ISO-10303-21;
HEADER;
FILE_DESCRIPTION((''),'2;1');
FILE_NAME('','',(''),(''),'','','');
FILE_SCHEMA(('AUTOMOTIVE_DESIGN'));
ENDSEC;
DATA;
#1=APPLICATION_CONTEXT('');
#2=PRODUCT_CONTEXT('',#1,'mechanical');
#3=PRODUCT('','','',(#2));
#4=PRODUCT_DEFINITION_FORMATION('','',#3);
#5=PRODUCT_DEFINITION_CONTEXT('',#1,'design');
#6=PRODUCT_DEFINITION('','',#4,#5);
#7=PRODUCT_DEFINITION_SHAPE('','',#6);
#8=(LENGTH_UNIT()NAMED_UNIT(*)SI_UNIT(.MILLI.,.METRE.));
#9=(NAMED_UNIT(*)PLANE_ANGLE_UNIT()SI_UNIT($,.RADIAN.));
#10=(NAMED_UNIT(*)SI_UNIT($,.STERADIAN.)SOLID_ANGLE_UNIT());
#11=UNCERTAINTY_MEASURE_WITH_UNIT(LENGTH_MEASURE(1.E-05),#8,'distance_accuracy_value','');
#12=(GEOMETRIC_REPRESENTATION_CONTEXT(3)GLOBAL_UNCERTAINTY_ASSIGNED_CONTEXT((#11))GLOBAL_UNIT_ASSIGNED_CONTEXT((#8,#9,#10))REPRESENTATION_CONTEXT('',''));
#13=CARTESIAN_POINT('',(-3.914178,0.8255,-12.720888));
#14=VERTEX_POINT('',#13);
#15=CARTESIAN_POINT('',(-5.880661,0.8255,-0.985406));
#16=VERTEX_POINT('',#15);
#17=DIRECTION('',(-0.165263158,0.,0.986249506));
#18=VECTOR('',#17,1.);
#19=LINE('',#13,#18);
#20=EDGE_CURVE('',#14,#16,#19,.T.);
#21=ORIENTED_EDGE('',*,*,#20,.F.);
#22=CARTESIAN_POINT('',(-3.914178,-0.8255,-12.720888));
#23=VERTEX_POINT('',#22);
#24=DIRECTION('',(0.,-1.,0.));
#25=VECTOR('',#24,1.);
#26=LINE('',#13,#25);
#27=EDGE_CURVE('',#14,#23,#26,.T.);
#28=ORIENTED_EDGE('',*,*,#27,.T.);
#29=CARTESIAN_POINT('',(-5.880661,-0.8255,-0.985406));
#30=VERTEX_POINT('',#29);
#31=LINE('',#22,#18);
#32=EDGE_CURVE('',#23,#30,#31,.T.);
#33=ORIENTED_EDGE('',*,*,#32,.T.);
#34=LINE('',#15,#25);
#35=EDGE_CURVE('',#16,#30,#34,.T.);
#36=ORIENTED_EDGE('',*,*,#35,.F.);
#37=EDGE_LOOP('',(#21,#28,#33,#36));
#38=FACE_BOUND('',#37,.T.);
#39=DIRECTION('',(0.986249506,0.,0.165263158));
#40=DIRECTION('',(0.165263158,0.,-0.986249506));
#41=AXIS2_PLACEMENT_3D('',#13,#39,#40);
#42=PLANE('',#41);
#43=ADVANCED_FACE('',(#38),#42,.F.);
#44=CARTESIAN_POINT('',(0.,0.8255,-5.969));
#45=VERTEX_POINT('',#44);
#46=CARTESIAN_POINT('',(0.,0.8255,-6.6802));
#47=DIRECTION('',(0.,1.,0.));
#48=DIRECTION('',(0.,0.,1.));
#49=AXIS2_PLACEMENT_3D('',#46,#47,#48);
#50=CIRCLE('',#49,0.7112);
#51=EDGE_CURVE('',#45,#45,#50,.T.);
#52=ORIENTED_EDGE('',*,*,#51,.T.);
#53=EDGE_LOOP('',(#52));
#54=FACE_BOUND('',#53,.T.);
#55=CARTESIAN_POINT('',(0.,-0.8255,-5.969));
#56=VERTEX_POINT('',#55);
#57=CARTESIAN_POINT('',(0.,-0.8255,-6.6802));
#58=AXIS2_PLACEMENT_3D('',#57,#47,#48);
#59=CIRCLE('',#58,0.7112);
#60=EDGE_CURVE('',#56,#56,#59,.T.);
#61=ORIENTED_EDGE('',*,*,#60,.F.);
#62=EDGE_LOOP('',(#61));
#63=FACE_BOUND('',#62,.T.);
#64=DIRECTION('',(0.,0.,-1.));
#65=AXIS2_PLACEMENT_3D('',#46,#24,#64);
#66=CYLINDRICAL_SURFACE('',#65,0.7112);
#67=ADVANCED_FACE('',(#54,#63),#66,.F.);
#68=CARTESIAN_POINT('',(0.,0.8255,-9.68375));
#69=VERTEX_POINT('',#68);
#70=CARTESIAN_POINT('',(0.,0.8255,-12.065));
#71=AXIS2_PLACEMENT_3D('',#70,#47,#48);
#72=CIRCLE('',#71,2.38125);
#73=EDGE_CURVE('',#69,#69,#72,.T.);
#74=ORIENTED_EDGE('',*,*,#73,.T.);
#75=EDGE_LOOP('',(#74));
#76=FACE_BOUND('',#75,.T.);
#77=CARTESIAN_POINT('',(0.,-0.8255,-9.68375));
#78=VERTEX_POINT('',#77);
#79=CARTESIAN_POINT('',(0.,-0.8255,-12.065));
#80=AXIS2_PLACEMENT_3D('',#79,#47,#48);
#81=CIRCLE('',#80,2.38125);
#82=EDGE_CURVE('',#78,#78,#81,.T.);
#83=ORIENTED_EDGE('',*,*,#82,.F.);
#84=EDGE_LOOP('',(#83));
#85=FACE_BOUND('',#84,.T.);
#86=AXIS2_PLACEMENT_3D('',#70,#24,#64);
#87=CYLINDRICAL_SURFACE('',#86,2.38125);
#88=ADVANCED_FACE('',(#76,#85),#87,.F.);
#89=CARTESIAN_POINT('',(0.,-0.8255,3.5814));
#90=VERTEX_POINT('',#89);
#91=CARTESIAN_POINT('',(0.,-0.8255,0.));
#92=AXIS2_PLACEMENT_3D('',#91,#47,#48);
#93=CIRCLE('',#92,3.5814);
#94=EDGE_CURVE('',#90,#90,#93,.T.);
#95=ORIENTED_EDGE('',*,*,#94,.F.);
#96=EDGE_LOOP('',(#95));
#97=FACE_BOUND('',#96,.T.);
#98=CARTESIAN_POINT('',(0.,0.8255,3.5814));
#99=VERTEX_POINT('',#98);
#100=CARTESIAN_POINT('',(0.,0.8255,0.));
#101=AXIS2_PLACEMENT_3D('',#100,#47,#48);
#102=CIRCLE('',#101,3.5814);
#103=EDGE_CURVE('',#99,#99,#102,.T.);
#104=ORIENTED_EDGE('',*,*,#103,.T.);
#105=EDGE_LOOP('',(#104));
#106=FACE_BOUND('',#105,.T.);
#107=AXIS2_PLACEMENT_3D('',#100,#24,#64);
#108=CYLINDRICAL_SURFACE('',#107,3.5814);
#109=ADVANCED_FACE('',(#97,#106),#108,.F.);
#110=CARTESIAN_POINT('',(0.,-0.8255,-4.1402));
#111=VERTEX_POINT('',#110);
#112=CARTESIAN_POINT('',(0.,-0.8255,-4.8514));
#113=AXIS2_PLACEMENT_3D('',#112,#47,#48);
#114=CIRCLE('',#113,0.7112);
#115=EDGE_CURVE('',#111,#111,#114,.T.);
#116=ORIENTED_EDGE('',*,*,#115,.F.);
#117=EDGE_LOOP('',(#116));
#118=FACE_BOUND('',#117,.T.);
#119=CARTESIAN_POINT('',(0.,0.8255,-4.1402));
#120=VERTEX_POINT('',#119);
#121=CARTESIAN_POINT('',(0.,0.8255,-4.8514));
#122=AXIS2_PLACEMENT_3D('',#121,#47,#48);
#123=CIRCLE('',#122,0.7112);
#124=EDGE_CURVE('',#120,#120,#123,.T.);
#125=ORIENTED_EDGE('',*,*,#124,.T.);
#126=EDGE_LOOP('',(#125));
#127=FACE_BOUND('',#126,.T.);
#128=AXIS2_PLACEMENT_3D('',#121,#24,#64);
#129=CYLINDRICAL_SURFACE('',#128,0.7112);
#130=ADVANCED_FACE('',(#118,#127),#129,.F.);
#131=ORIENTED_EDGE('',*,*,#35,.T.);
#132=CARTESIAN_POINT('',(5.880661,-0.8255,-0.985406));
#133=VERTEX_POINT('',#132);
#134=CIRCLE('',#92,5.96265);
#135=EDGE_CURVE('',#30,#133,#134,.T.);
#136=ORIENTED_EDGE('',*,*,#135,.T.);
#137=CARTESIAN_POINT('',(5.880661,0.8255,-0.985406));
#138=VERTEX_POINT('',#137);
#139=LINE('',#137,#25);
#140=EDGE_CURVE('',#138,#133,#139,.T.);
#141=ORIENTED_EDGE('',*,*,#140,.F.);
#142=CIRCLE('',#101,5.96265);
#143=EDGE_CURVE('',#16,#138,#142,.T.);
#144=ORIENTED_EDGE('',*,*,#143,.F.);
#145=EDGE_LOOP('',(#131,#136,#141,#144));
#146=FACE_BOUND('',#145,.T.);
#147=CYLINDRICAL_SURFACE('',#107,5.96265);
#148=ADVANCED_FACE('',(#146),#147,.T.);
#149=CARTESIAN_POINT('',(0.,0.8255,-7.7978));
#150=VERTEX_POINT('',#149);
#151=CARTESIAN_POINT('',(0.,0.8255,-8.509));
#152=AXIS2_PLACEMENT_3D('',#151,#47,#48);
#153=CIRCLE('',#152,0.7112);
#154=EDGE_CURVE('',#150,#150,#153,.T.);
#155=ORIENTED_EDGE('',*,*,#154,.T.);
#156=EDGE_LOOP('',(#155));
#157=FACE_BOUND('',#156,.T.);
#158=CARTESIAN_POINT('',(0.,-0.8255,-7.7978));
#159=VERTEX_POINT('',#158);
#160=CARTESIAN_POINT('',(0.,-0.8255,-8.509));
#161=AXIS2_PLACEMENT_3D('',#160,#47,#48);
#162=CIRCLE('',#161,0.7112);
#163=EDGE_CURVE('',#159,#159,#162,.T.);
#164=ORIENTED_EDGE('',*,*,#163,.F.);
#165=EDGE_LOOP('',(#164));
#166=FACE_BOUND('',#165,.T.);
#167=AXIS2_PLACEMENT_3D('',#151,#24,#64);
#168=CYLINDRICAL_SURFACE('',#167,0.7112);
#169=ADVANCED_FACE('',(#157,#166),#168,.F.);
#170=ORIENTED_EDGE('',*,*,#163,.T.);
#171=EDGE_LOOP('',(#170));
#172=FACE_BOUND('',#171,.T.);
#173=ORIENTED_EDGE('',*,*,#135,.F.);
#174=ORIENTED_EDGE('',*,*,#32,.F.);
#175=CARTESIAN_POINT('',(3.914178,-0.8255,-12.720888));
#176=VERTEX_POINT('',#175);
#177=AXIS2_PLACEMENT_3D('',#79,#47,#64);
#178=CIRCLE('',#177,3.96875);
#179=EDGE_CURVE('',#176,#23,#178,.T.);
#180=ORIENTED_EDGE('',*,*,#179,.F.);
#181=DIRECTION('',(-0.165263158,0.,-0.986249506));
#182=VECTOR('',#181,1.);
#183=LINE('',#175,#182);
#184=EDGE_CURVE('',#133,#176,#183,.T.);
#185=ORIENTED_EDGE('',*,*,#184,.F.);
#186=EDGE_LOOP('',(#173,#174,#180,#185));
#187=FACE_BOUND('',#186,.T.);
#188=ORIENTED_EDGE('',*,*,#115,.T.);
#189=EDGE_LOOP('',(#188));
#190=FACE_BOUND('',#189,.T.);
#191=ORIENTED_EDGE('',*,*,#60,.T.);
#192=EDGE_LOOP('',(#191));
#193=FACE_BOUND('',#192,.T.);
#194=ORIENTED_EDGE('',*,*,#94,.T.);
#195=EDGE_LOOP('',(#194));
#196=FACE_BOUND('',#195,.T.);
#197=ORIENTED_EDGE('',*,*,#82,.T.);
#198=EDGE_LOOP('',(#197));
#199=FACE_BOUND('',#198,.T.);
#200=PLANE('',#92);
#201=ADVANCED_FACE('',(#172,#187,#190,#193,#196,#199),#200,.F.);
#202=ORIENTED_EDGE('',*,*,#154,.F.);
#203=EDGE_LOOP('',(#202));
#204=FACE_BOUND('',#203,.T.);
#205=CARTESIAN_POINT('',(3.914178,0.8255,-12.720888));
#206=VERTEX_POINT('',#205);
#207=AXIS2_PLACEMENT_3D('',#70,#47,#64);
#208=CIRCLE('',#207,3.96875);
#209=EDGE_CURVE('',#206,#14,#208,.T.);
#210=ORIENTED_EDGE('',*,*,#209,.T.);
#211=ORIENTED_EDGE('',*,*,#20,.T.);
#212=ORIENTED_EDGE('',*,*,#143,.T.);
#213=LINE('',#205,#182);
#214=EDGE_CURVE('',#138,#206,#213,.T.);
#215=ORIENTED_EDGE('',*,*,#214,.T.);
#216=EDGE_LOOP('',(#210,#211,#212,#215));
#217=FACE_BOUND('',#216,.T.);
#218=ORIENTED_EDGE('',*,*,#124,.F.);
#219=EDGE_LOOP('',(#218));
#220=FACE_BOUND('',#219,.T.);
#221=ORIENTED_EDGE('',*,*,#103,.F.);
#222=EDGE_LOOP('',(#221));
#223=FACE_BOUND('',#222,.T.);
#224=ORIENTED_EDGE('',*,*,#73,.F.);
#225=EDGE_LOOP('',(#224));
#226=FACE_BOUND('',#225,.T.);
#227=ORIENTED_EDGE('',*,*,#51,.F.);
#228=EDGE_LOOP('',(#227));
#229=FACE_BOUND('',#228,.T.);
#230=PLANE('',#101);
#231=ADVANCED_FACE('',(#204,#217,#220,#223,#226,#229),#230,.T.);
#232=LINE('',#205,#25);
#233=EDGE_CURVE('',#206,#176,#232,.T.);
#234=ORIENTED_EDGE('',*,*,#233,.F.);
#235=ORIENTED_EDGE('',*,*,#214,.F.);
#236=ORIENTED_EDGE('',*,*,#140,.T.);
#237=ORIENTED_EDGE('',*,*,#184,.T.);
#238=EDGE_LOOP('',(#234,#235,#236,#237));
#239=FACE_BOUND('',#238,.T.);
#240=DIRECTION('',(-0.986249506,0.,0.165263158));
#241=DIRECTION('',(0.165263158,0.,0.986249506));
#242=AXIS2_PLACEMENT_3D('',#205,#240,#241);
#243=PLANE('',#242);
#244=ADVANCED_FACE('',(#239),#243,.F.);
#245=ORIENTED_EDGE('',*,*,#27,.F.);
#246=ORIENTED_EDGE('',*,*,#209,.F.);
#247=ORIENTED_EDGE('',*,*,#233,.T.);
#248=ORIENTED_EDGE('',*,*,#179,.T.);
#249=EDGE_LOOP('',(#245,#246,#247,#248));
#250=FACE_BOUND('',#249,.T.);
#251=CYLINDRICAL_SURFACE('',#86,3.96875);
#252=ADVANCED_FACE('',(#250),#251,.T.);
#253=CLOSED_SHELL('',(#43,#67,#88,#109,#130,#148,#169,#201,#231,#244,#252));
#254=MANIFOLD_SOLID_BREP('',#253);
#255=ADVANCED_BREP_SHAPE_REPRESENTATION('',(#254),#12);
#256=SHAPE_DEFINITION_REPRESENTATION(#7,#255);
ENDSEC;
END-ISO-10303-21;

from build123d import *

# Parameters (mm, degrees)
SKETCH1_R      = 3.5814
SKETCH1_R_2    = 0.7112
SKETCH1_R_3    = 2.38125
EXTRUDE1_DEPTH = 0.8255


with BuildPart() as part:
    # Sketch1 → Extrude1 (new body, symmetric)
    with BuildSketch(Plane(origin=(0, 0, 0), x_dir=(1, 0, 0), z_dir=(0, 1, 0))):
        with BuildLine():
            Line((3.914177728, 12.720888158), (5.880660619, 0.985406368))
            ThreePointArc((5.880660619, 0.985406368), (0, -5.96265), (-5.880660619, 0.985406368))
            Line((-5.880660619, 0.985406368), (-3.914177728, 12.720888158))
            ThreePointArc((-3.914177728, 12.720888158), (0, 16.03375), (3.914177728, 12.720888158))
        make_face()
        with Locations(Location((0, 0, 0), (0, 0, 270))):  # turned: the seam where the file's is
            Circle(SKETCH1_R, mode=Mode.SUBTRACT)
        with Locations(Location((0, 4.8514, 0), (0, 0, 270))):  # turned: the seam where the file's is
            Circle(SKETCH1_R_2, mode=Mode.SUBTRACT)
        with Locations(Location((0, 6.6802, 0), (0, 0, 270))):  # turned: the seam where the file's is
            Circle(SKETCH1_R_2, mode=Mode.SUBTRACT)
        with Locations(Location((0, 8.509, 0), (0, 0, 270))):  # turned: the seam where the file's is
            Circle(SKETCH1_R_2, mode=Mode.SUBTRACT)
        with Locations(Location((0, 12.065, 0), (0, 0, 270))):  # turned: the seam where the file's is
            Circle(SKETCH1_R_3, mode=Mode.SUBTRACT)
    extrude(amount=EXTRUDE1_DEPTH, both=True)


solid = part.part
